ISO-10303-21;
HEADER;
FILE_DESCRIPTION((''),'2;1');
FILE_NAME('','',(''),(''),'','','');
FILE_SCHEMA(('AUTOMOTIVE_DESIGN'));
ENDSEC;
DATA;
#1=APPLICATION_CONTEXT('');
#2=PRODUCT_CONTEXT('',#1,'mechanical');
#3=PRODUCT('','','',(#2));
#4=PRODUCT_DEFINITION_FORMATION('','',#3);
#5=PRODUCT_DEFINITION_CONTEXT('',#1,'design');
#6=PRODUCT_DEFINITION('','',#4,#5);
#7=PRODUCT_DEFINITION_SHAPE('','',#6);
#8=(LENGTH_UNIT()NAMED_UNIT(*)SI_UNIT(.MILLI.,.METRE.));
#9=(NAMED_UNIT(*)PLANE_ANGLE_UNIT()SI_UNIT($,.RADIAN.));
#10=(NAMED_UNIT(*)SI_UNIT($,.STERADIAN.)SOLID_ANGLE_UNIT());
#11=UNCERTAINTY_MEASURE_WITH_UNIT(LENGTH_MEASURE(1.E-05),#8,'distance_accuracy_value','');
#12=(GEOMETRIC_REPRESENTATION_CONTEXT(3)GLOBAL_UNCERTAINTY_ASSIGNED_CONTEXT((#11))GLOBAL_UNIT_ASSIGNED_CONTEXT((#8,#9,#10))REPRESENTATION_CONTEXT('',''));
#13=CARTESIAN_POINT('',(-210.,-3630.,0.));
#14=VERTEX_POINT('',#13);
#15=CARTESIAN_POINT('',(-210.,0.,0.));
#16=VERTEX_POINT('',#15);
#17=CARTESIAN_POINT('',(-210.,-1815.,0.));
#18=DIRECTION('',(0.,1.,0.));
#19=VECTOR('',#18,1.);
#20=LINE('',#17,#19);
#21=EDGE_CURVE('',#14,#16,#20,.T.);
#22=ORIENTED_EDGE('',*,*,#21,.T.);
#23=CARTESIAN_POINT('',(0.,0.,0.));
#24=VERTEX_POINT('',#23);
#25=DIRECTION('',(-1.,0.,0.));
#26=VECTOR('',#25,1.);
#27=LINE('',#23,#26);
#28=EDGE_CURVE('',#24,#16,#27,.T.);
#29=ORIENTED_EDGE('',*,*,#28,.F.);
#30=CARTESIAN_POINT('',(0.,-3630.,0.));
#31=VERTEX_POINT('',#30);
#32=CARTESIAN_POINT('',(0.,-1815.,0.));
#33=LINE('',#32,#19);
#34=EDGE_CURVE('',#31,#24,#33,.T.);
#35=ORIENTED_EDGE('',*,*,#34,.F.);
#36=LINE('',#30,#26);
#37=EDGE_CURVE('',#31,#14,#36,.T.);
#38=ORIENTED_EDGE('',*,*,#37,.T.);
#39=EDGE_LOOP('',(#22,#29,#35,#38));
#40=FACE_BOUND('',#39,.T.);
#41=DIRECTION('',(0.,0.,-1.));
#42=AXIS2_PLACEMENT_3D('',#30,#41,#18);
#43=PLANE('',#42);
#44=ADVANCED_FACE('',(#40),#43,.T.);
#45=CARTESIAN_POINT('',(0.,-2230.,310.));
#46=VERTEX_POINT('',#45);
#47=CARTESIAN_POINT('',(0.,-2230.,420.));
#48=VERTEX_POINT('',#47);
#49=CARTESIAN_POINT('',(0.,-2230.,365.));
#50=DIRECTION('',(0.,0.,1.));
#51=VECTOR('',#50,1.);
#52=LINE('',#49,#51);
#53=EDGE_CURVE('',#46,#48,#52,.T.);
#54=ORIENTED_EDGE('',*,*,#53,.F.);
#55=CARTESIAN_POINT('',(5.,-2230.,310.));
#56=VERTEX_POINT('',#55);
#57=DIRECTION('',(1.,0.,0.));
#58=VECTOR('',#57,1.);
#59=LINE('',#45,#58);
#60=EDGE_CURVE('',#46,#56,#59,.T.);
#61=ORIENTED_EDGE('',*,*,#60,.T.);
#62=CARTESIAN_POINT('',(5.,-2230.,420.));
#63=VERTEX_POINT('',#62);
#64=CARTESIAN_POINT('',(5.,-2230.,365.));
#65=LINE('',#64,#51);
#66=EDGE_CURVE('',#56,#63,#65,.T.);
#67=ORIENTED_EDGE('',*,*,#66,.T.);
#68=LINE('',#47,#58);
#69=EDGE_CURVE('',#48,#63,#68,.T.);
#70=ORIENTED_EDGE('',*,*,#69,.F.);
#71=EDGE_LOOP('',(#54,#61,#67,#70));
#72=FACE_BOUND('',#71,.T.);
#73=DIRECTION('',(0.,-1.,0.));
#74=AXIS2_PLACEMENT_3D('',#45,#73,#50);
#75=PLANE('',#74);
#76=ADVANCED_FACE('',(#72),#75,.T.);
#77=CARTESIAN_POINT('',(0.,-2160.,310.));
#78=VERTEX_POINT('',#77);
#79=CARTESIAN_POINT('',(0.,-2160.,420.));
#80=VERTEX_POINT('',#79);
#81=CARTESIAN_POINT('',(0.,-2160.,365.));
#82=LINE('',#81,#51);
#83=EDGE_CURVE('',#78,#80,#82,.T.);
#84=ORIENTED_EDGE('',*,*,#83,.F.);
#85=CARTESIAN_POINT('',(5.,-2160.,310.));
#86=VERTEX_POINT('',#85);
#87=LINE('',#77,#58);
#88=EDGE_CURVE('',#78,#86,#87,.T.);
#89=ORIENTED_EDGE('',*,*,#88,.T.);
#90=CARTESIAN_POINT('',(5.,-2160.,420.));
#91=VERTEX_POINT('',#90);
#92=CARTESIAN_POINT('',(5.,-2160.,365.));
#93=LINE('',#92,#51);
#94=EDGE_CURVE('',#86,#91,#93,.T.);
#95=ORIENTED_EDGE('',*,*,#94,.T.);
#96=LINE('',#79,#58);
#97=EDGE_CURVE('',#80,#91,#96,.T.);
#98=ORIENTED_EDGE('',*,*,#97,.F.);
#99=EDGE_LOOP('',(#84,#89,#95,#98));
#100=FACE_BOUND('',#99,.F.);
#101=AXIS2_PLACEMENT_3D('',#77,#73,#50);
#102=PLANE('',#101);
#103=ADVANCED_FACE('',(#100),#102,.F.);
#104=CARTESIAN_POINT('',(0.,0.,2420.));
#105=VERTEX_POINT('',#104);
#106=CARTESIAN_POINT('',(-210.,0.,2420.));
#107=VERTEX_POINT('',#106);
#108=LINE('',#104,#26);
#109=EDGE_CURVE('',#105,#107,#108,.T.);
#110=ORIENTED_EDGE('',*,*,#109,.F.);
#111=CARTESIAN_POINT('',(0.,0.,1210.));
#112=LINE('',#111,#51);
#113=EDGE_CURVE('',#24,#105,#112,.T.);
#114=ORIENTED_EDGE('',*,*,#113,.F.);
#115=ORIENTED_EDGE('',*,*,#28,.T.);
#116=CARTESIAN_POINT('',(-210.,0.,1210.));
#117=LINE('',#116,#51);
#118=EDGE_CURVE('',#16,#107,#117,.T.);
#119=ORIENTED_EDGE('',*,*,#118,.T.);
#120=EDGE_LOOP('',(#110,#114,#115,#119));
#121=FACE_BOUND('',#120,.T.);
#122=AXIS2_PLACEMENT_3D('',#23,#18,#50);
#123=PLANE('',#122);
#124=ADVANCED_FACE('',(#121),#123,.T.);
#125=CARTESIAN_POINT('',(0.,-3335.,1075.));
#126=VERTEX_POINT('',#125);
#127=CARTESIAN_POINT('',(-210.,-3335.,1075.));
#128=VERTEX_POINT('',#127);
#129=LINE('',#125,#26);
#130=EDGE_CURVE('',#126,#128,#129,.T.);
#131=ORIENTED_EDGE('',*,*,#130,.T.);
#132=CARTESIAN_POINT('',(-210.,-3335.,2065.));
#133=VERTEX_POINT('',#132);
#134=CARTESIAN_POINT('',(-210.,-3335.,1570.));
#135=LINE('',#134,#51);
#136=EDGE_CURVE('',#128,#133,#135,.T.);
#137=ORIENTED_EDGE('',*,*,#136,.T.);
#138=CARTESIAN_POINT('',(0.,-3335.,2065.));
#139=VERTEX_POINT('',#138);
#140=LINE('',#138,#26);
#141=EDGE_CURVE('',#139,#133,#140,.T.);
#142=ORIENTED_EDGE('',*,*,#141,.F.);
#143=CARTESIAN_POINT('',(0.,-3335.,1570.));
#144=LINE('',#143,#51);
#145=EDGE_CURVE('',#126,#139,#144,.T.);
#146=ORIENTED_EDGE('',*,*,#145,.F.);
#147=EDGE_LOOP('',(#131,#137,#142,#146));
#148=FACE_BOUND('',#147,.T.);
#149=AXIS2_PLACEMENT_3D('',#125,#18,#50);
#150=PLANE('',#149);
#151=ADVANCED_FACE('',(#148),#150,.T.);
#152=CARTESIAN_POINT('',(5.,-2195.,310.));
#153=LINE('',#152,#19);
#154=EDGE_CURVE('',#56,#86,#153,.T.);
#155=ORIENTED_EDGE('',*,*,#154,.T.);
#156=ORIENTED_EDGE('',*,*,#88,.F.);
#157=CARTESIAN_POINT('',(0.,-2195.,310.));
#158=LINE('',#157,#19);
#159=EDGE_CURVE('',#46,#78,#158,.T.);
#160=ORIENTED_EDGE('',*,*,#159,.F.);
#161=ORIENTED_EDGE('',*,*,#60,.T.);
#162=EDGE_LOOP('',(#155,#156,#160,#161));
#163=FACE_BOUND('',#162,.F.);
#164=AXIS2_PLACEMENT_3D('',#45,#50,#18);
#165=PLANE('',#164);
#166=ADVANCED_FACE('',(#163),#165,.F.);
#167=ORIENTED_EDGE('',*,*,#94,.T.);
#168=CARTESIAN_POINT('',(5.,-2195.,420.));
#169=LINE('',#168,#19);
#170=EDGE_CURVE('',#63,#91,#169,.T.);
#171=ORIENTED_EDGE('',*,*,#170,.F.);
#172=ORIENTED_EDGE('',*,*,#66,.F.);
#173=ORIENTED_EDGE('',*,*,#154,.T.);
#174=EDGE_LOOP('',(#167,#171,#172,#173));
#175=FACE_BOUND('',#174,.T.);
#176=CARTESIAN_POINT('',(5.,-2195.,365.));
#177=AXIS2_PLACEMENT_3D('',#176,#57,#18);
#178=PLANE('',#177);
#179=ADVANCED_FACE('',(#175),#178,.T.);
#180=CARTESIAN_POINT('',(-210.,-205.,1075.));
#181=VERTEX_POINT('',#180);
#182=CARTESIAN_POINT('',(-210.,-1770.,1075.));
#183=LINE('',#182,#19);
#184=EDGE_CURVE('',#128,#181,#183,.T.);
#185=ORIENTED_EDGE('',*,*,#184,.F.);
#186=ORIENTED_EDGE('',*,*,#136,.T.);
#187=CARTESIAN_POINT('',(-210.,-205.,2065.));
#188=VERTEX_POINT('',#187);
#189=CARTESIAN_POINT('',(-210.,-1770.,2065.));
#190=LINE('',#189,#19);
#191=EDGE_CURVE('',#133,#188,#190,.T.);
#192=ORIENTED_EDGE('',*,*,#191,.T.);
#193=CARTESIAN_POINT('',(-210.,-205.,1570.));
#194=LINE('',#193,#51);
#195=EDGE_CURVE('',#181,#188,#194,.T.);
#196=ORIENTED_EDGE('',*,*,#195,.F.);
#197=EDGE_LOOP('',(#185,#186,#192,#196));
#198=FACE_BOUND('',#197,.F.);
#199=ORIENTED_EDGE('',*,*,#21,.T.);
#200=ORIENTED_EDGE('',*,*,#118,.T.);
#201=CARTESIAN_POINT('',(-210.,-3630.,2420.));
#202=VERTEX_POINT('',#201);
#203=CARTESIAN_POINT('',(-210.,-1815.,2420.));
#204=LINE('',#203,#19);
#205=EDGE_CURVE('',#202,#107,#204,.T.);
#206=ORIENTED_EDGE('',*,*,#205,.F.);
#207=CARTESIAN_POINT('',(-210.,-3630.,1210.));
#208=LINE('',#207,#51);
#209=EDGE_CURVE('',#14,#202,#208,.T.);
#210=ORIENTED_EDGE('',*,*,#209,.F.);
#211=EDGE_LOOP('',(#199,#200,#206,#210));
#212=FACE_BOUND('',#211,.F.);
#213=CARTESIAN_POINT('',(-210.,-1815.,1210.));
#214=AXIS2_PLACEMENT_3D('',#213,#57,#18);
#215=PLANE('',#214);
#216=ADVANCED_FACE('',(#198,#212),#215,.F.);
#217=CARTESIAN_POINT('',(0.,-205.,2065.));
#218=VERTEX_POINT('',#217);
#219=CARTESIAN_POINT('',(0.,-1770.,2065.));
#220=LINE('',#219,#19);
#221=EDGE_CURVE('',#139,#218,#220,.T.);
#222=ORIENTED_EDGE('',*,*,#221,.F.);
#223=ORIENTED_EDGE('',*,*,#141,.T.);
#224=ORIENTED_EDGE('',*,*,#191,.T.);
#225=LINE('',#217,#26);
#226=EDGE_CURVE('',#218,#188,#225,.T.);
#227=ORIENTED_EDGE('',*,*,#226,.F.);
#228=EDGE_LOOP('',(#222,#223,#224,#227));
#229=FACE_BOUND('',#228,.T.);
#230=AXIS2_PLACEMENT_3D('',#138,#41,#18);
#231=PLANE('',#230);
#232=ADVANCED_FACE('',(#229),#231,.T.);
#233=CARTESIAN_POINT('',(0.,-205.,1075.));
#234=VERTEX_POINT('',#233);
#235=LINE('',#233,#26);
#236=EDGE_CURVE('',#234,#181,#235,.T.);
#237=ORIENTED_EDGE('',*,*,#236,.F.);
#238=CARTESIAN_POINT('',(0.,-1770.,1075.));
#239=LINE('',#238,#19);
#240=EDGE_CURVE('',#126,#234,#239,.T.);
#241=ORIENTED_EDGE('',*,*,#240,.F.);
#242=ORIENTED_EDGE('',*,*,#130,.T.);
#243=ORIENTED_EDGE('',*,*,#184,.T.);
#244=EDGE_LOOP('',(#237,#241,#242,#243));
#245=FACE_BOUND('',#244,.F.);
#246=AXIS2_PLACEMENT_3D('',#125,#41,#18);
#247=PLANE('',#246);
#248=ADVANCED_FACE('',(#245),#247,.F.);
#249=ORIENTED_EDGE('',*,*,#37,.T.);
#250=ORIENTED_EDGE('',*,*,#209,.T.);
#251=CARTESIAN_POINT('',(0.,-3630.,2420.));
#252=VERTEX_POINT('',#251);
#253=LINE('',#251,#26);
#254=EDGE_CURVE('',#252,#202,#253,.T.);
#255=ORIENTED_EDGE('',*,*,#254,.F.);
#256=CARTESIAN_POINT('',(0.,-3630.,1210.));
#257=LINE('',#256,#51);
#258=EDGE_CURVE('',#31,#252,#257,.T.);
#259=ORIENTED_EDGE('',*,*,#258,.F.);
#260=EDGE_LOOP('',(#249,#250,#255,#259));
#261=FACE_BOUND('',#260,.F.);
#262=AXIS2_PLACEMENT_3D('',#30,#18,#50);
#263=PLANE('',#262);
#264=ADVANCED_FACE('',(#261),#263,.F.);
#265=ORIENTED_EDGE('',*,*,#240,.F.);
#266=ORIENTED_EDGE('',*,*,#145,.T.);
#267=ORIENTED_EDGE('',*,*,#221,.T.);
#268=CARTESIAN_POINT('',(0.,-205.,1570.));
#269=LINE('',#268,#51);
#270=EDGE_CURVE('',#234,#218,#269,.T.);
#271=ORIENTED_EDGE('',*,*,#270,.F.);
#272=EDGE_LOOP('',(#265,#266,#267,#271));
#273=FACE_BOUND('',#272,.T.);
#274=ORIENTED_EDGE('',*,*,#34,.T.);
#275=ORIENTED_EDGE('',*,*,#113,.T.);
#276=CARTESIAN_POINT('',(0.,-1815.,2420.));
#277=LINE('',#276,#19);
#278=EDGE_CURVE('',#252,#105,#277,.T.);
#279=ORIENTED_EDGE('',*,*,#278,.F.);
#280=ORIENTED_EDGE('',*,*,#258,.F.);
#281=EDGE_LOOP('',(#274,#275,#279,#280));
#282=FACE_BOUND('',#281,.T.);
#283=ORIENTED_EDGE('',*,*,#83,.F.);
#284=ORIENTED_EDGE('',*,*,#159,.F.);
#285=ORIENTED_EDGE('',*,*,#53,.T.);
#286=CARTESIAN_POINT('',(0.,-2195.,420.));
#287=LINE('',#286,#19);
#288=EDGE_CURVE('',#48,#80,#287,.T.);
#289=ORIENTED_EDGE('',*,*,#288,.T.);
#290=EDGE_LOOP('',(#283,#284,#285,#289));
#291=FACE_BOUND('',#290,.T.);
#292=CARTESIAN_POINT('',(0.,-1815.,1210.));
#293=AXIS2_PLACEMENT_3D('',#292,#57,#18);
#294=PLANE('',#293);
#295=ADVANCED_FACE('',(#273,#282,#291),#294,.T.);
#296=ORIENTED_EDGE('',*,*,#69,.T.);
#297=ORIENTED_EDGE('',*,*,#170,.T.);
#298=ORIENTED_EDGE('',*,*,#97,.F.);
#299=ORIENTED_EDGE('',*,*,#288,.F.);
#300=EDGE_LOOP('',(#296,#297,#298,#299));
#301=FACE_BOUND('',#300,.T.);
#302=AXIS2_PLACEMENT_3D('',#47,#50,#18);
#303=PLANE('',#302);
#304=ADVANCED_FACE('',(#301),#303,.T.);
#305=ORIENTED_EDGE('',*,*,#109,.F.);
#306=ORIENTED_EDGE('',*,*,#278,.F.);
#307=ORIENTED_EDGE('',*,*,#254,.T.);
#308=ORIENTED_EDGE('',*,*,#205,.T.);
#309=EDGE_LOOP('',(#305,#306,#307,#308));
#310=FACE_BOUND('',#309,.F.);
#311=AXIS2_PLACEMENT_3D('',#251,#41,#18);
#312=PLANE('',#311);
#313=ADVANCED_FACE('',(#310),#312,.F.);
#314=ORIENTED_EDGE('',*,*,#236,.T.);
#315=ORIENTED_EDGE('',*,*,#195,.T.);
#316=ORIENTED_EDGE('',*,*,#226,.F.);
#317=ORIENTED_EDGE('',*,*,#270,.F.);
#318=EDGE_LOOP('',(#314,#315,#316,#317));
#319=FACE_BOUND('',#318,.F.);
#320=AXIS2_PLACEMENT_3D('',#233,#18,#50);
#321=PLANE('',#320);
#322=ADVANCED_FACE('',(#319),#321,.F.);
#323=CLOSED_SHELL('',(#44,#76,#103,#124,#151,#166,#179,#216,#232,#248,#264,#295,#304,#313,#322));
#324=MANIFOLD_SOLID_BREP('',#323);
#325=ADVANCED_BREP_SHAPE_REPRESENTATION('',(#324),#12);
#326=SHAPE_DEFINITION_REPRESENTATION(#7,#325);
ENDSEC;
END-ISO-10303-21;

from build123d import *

# Parameters (mm, degrees)
SKETCH_W     = 3630
SKETCH_H     = 2420
SKETCH_W_2   = 3130
SKETCH_H_2   = 990
PAD_DEPTH    = 210
SKETCH001_W  = 70
SKETCH001_H  = 110
PAD001_DEPTH = 5


with BuildPart() as part:
    # Sketch → Pad (new body)
    with BuildSketch(Plane.YZ):
        with Locations((-1815, 1210)):
            Rectangle(SKETCH_W, SKETCH_H)
        with Locations((-1770, 1570)):
            Rectangle(SKETCH_W_2, SKETCH_H_2, mode=Mode.SUBTRACT)
    extrude(amount=-PAD_DEPTH)

    # Sketch001 (on Face9 of Pad) → Pad001 (join)
    with BuildSketch(Plane.YZ):
        with Locations((-2195, 365)):
            Rectangle(SKETCH001_W, SKETCH001_H)
    extrude(amount=PAD001_DEPTH)


solid = part.part
